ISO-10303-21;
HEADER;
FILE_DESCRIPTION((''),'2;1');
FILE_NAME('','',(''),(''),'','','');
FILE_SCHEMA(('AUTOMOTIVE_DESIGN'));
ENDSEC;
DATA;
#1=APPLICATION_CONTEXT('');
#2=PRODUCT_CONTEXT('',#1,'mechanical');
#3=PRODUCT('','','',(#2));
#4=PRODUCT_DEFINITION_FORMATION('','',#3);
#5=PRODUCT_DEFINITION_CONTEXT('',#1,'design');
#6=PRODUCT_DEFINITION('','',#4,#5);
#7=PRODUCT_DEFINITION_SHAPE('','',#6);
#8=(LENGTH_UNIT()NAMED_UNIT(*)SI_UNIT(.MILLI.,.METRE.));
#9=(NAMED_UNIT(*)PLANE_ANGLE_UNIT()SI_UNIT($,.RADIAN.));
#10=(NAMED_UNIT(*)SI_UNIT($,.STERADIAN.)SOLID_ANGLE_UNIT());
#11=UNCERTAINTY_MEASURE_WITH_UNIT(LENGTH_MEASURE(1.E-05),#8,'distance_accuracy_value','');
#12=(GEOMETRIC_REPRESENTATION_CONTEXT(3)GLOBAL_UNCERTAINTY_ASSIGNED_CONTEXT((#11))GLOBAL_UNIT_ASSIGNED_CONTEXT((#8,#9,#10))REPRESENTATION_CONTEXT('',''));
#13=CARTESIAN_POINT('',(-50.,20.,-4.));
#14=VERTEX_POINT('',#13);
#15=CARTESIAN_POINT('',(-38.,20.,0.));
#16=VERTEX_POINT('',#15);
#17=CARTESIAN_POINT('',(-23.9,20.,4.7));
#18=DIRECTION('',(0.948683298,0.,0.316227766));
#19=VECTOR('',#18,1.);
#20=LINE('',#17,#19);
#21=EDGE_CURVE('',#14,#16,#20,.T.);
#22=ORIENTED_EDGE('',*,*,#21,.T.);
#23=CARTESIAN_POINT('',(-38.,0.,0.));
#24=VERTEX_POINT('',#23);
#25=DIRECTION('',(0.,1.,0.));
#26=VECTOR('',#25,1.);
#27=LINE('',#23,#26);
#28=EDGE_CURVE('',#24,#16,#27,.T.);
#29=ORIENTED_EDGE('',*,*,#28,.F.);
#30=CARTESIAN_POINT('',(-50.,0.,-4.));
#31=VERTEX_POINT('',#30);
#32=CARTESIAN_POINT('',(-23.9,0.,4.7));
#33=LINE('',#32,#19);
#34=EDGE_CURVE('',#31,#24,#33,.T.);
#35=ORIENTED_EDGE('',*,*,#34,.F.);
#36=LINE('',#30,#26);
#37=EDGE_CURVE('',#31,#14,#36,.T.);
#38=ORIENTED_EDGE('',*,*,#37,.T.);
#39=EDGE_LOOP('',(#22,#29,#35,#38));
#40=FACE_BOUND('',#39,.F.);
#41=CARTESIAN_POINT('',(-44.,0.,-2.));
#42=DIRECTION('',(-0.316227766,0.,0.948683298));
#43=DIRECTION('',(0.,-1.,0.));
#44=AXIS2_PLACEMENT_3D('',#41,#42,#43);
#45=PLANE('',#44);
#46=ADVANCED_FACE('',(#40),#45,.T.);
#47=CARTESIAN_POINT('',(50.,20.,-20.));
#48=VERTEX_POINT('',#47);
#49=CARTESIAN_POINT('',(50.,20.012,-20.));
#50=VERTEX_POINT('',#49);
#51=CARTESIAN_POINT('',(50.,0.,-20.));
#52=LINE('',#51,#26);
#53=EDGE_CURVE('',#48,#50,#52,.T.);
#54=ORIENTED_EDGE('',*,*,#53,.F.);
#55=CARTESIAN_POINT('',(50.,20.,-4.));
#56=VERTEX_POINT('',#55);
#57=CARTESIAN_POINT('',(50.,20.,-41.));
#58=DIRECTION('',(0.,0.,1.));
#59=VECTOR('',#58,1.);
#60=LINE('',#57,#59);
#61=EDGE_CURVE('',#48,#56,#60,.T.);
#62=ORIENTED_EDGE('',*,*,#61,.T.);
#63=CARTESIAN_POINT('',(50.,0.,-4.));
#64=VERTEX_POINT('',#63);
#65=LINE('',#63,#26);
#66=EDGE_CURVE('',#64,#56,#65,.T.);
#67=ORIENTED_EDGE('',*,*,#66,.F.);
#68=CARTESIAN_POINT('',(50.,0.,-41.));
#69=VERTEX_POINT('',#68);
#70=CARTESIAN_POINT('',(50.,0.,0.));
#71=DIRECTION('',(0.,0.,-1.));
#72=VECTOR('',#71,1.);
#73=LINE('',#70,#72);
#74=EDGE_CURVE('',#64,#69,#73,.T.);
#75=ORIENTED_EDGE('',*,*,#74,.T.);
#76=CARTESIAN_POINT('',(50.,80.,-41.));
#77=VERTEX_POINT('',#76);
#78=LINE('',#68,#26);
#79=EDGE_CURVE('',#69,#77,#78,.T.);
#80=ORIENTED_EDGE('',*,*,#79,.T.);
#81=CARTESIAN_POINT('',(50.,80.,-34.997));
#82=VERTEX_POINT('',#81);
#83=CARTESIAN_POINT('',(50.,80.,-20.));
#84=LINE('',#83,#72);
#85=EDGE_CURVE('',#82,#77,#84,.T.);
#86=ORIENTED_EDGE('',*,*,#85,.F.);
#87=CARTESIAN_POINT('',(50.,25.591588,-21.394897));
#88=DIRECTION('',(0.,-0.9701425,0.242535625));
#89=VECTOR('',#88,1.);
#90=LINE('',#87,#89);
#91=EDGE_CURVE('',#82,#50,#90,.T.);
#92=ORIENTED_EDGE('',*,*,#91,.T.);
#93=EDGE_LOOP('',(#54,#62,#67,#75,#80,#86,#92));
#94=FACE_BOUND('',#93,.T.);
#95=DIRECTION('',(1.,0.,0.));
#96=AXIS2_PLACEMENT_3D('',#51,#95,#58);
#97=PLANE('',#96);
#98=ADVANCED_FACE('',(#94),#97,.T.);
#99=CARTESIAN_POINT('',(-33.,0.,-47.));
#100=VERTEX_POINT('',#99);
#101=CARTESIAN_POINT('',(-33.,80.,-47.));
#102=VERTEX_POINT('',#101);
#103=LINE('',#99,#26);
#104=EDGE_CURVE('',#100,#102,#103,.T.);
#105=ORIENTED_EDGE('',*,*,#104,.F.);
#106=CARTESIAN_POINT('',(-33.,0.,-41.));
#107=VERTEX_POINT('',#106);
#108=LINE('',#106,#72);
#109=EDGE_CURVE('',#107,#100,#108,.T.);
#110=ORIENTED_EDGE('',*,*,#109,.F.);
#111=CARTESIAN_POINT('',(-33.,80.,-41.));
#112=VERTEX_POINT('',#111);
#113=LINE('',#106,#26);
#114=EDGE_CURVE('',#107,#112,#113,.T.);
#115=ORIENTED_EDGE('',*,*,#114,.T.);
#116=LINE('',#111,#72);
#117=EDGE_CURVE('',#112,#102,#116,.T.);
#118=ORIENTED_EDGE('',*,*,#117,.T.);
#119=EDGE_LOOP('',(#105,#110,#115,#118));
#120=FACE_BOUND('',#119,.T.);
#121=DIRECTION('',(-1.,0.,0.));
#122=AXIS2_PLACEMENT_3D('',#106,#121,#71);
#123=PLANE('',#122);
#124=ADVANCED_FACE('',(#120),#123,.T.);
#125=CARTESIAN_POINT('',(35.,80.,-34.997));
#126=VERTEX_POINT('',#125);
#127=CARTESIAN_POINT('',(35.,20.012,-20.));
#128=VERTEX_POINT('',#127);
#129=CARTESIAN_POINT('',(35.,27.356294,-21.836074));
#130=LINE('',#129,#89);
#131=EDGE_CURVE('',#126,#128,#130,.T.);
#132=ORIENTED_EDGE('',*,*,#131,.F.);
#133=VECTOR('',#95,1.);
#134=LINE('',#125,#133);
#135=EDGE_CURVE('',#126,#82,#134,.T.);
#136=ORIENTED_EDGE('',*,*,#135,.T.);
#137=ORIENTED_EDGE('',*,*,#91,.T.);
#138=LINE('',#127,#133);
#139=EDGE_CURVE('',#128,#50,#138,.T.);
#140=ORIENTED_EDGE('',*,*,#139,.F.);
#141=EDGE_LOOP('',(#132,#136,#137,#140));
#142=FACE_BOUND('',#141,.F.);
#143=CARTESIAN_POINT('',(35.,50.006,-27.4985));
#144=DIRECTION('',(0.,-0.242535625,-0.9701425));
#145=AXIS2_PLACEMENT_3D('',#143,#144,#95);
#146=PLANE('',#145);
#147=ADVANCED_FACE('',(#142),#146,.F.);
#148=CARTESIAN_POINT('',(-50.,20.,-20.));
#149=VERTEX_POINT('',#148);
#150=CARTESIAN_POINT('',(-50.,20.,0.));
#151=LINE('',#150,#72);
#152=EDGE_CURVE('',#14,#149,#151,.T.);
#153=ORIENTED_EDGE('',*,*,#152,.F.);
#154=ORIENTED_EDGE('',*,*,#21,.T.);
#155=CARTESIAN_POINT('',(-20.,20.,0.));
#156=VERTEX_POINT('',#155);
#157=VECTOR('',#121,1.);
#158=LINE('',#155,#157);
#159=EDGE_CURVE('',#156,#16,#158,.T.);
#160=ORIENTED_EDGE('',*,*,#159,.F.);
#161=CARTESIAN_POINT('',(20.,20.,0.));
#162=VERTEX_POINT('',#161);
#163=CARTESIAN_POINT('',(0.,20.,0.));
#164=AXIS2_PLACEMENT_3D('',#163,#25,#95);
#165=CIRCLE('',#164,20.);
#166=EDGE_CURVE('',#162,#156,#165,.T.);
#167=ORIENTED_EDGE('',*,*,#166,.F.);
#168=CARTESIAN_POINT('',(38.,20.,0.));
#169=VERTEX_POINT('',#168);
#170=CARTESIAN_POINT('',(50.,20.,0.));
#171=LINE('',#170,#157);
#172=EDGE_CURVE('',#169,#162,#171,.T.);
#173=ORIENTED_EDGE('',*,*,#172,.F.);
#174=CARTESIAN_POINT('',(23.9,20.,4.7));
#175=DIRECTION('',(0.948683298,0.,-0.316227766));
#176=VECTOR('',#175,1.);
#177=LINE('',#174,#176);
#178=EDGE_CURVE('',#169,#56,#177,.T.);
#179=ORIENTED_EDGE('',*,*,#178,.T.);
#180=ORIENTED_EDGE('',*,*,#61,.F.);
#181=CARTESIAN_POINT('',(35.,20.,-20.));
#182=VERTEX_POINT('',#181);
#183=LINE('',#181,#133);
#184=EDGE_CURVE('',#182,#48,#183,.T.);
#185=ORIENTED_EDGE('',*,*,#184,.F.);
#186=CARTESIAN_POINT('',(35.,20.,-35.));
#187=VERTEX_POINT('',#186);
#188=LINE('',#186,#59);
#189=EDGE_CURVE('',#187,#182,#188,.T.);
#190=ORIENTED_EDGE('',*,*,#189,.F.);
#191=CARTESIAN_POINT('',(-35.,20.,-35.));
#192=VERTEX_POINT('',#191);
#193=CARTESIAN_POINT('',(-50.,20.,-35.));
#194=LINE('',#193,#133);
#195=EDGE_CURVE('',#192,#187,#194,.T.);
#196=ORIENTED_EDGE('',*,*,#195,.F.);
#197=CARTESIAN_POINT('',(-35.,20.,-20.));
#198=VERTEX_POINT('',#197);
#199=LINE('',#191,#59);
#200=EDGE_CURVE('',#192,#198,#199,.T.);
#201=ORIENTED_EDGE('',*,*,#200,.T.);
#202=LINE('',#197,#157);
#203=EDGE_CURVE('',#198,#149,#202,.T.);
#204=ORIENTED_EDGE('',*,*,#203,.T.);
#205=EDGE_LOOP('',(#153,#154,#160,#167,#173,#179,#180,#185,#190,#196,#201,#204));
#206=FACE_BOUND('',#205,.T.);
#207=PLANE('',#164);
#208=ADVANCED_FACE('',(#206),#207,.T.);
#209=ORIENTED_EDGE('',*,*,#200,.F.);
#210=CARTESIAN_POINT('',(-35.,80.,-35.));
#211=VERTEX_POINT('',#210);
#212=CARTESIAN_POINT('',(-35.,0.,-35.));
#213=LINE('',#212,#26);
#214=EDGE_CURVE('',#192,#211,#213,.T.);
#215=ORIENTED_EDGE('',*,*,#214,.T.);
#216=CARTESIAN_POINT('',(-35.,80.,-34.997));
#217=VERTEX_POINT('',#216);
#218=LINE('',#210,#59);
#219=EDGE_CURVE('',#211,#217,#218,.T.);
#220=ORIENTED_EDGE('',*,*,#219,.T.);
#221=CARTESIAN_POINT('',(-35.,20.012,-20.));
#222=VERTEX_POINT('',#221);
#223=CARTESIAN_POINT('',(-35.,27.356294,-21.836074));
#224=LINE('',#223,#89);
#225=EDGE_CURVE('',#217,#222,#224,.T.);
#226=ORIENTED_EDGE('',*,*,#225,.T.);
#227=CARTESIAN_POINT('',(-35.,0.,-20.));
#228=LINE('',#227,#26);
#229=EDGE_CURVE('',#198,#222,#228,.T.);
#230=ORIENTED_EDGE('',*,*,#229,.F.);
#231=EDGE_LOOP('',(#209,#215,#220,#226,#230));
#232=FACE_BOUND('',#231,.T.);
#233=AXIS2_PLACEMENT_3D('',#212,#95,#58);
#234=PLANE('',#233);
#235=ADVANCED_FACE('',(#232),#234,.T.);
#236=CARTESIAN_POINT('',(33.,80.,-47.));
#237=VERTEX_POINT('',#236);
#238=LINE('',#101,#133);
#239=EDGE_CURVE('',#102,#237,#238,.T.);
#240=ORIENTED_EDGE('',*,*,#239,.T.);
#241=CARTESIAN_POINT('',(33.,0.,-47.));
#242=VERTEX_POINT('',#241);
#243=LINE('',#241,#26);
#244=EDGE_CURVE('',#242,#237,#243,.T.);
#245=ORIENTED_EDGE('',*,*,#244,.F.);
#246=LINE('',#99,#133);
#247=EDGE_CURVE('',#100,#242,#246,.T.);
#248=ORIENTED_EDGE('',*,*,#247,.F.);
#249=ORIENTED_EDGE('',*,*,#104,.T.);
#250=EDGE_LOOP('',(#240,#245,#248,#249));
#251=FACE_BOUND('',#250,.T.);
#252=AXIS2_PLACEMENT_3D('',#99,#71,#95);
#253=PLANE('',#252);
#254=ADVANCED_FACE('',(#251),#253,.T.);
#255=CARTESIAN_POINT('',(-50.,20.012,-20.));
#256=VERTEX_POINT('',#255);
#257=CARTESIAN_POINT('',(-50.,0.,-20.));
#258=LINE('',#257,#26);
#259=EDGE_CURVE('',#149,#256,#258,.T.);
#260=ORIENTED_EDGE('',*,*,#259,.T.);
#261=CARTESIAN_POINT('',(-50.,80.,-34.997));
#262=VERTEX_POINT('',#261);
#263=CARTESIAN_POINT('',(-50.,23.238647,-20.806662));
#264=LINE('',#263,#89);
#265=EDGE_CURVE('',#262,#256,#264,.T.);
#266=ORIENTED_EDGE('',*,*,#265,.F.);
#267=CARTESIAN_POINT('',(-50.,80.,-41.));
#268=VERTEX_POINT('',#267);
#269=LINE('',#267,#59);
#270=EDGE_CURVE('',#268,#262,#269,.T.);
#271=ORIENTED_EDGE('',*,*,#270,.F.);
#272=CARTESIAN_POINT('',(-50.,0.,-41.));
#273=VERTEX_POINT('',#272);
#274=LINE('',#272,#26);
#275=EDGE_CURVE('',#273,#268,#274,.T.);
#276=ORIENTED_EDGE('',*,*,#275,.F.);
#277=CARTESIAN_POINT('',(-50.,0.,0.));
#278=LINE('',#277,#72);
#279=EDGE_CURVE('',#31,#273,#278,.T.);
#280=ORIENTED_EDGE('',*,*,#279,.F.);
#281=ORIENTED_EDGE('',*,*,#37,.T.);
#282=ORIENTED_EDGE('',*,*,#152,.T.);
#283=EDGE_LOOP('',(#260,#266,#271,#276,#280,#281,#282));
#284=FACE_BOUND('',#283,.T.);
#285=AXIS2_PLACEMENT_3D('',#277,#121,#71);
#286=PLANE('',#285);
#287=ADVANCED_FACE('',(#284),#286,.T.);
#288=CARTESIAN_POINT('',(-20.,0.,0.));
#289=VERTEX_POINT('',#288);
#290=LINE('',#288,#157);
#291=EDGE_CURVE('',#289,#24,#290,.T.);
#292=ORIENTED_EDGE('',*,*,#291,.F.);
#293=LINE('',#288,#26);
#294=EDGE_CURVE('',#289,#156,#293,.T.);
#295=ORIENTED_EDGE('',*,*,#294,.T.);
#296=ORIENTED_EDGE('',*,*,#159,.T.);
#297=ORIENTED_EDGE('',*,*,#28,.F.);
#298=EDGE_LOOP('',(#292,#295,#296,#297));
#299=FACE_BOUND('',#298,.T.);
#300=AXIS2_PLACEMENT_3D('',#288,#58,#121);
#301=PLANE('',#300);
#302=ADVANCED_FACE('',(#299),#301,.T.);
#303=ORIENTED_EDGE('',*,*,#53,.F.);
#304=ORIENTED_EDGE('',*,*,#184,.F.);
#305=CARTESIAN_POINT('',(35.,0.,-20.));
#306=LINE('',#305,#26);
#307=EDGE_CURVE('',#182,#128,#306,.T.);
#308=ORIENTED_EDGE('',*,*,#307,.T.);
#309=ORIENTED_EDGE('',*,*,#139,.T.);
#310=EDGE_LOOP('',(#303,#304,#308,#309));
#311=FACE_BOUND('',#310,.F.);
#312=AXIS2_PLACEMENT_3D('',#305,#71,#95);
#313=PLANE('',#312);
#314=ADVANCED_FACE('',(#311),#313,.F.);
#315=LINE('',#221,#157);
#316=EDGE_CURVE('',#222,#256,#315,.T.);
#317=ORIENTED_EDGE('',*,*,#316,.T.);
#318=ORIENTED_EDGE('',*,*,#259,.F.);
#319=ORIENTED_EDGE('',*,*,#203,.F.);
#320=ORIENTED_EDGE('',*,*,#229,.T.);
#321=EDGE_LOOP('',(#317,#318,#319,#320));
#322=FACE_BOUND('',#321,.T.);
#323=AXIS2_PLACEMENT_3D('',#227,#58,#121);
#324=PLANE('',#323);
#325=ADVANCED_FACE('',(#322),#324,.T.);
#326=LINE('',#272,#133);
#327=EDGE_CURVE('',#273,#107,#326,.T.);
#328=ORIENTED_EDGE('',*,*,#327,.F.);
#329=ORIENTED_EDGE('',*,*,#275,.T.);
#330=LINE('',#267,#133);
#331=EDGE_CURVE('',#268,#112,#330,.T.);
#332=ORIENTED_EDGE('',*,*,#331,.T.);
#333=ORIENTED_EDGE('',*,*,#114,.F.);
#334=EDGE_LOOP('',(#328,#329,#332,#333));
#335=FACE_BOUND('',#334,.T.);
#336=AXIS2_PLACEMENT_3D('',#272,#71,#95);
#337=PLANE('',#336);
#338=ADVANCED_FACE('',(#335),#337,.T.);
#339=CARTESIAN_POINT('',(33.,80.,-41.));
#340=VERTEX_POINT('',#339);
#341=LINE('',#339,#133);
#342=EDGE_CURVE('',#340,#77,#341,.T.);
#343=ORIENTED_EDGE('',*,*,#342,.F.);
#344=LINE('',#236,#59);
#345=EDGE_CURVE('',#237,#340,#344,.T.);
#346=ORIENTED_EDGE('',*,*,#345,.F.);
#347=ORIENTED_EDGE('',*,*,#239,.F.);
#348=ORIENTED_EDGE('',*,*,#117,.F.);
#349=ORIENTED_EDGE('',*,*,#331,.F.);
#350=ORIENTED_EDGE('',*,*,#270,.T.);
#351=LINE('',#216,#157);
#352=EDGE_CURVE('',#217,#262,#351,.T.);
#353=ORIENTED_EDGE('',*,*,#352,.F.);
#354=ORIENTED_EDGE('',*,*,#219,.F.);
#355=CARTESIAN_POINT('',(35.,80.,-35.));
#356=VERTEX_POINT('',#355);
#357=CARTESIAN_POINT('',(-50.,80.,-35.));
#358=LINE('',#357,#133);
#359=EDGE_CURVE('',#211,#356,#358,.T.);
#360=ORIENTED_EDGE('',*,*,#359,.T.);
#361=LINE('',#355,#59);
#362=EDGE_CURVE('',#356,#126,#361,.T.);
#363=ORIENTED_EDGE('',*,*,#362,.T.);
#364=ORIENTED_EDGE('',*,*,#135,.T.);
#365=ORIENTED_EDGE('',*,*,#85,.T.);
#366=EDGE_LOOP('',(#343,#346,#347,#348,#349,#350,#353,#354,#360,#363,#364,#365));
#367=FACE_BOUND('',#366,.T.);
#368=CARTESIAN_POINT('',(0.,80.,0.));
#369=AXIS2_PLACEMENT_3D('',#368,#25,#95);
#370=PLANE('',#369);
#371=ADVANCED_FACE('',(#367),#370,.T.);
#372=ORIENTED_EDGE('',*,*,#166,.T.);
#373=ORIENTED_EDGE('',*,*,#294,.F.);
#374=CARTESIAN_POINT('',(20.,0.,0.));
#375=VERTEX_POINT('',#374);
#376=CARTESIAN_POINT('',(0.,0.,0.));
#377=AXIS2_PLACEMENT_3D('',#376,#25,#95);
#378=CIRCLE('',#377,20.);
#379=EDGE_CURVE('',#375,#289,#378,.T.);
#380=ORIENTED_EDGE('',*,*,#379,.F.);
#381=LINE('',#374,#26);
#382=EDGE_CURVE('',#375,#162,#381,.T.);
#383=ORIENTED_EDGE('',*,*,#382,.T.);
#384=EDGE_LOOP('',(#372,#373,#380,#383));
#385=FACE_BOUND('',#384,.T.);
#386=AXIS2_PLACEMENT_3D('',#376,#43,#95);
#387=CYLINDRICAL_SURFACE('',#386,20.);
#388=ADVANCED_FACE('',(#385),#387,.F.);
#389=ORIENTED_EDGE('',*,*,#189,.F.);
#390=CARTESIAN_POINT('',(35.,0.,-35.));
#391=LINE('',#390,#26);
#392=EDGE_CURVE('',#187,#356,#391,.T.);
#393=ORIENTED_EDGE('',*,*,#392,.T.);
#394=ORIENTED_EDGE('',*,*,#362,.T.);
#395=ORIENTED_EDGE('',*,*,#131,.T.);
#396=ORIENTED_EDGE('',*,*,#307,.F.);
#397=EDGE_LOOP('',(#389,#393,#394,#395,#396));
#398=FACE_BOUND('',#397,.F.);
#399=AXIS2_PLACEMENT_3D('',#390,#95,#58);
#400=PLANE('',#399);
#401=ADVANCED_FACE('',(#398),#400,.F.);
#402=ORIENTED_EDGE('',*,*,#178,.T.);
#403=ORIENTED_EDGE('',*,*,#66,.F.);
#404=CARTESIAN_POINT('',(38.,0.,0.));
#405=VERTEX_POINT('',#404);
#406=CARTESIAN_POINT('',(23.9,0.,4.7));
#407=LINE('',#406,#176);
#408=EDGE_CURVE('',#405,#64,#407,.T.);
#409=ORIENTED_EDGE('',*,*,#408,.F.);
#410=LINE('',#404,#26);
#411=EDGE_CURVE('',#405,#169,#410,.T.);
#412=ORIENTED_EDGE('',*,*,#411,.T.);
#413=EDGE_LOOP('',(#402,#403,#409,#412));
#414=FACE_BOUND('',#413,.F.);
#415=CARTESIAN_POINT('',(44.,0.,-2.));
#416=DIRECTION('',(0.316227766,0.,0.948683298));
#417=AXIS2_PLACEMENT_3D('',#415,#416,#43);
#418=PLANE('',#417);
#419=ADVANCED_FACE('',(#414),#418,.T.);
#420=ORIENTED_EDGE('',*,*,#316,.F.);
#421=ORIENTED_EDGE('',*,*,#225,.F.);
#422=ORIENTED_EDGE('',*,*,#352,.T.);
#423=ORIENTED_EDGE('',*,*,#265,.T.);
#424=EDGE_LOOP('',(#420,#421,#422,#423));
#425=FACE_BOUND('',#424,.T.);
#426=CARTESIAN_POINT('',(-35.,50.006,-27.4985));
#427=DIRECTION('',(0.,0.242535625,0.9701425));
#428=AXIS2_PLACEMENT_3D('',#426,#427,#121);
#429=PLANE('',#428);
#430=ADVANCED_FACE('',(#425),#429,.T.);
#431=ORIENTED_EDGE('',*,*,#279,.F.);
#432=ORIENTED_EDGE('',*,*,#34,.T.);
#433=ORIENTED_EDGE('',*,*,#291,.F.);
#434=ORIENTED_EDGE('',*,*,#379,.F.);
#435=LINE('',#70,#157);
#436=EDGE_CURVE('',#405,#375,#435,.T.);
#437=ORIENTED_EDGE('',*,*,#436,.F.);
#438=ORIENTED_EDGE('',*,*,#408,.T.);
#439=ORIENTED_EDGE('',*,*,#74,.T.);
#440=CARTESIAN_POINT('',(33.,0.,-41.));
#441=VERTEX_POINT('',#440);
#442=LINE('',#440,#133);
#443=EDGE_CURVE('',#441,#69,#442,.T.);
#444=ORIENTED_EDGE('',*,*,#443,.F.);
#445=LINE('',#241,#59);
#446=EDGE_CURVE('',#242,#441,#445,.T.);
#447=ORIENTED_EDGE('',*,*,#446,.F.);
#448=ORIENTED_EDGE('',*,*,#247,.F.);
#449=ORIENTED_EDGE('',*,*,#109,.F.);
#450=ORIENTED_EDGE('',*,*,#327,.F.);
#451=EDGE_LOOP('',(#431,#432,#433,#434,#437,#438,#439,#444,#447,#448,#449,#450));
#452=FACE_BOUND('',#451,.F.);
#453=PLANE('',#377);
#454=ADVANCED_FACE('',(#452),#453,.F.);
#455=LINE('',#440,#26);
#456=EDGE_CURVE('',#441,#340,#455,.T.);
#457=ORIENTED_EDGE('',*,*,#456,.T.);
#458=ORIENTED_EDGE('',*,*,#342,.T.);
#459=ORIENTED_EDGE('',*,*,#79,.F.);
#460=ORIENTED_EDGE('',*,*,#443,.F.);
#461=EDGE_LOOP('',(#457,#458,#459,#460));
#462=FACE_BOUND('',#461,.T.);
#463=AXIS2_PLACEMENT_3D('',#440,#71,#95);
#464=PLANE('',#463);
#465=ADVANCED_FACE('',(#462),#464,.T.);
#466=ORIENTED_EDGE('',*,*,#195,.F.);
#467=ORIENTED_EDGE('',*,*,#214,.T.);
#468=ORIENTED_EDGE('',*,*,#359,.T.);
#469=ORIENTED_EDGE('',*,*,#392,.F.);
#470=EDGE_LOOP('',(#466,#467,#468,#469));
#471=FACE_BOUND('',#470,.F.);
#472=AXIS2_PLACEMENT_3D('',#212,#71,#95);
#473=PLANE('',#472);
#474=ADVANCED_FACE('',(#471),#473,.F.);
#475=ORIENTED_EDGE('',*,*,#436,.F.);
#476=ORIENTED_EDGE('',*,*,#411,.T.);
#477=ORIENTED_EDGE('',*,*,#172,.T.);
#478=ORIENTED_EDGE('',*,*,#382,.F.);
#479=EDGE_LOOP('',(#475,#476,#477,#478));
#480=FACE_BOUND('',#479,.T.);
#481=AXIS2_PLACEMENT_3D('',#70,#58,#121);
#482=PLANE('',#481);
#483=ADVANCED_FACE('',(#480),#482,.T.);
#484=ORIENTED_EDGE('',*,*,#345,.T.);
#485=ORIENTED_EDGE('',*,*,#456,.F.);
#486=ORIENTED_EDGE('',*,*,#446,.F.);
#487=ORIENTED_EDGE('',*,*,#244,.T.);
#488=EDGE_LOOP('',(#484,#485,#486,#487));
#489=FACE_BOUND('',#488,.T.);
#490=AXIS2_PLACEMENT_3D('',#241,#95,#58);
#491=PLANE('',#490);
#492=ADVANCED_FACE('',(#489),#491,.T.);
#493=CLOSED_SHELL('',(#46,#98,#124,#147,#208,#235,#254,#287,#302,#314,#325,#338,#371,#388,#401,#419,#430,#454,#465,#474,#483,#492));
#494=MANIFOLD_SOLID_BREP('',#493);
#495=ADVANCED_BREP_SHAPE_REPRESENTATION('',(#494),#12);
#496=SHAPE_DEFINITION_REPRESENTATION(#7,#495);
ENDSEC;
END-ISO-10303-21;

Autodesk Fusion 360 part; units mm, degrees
sketch "Sketch1" plane through (0, 0, 0) normal (0, 1, 0) x (1, 0, 0)
  line L0 (-33, 47) -> (33, 47)
  line L1 (33, 47) -> (33, 41)
  line L2 (33, 41) -> (50, 41)
  line L3 (50, 41) -> (50, 0)
  line L4 (-50, 0) -> (-50, 41)
  line L5 (-50, 41) -> (-33, 41)
  line L6 (-33, 41) -> (-33, 47)
  arc A0 (20, 0) -> (-20, 0) centre (0, 0) ccw
  line L7 (50, 0) -> (20, 0)
  line L8 (-20, 0) -> (-50, 0)
  line L9 (50, 35) -> (35, 35)
  line L10 (35, 35) -> (35, 20)
  line L11 (35, 20) -> (50, 20)
  line L12 (50, 20) -> (50, 35)
  line L13 (-50, 35) -> (-35, 35)
  line L14 (-35, 35) -> (-35, 20)
  line L15 (-35, 20) -> (-50, 20)
  line L16 (-50, 20) -> (-50, 35)
  line L17 (-50, 35) -> (50, 35)
  dimension "d1" = 100
  dimension "d2" = 47
  dimension "d3" = 17
  dimension "d4" = 6
  dimension "d5" = 40
  dimension "d6" = 50
  dimension "d7" = 15
  dimension "d8" = 15
  dimension "d9" = 6
extrude "Extrude1" add sketch "Sketch1" along normal blind 80 contours L0 L1 L2 L3 L4 L5 L6 L9 L13 L17
extrude "Extrude2" add sketch "Sketch1" along normal blind 80 contours L4 L13 L14 L15 L16 L17 | L3 L9 L10 L11 L12 L17
extrude "Extrude3" add sketch "Sketch1" along normal blind 20 contours L3 L4 A0 L7 L8 L10 L11 L14 L15 L17
chamfer "Chamfer1" distance 12 distance2 4 1 edges at (50, 10, 0) measured on face at (40, 6.6667, 0)
chamfer "Chamfer2" distance 4 distance2 12 1 edges at (-50, 10, 0) measured on face at (-50, 33.3333, -34)
chamfer "Chamfer3" distance 15 distance2 60 2 edges at (42.5, 80, -20) (-42.5, 80, -20) measured on face at (45, 80, -32) measured on face at (45, 80, -32)
sketch "Sketch2" plane through (0, 0, -35) normal (0, 0, 1) x (-1, 0, 0)
  line L0 (35, -20) -> (-35, -20)
  line L1 (-35, -20) -> (-35, -80)
  line L2 (-35, -80) -> (35, -80)
  line L3 (35, -80) -> (35, -20)
  line L4 (20, -45) -> (-20, -45)
  arc A0 (-20, -45) -> (-20, -55) centre (-20, -50) ccw
  line L5 (-20, -55) -> (20, -55)
  arc A1 (20, -55) -> (20, -45) centre (20, -50) ccw
  line L6 (25, -50) -> (-25, -50) construction
  line L7 (50, -80) -> (50, -20)
  dimension "d22" = 5
  dimension "d23" = 30
  dimension "d24" = 40
  dimension "d25" = 30
extrude "Extrude4" cut sketch "Sketch2" along normal through all contours L4 A0 L5 A1
